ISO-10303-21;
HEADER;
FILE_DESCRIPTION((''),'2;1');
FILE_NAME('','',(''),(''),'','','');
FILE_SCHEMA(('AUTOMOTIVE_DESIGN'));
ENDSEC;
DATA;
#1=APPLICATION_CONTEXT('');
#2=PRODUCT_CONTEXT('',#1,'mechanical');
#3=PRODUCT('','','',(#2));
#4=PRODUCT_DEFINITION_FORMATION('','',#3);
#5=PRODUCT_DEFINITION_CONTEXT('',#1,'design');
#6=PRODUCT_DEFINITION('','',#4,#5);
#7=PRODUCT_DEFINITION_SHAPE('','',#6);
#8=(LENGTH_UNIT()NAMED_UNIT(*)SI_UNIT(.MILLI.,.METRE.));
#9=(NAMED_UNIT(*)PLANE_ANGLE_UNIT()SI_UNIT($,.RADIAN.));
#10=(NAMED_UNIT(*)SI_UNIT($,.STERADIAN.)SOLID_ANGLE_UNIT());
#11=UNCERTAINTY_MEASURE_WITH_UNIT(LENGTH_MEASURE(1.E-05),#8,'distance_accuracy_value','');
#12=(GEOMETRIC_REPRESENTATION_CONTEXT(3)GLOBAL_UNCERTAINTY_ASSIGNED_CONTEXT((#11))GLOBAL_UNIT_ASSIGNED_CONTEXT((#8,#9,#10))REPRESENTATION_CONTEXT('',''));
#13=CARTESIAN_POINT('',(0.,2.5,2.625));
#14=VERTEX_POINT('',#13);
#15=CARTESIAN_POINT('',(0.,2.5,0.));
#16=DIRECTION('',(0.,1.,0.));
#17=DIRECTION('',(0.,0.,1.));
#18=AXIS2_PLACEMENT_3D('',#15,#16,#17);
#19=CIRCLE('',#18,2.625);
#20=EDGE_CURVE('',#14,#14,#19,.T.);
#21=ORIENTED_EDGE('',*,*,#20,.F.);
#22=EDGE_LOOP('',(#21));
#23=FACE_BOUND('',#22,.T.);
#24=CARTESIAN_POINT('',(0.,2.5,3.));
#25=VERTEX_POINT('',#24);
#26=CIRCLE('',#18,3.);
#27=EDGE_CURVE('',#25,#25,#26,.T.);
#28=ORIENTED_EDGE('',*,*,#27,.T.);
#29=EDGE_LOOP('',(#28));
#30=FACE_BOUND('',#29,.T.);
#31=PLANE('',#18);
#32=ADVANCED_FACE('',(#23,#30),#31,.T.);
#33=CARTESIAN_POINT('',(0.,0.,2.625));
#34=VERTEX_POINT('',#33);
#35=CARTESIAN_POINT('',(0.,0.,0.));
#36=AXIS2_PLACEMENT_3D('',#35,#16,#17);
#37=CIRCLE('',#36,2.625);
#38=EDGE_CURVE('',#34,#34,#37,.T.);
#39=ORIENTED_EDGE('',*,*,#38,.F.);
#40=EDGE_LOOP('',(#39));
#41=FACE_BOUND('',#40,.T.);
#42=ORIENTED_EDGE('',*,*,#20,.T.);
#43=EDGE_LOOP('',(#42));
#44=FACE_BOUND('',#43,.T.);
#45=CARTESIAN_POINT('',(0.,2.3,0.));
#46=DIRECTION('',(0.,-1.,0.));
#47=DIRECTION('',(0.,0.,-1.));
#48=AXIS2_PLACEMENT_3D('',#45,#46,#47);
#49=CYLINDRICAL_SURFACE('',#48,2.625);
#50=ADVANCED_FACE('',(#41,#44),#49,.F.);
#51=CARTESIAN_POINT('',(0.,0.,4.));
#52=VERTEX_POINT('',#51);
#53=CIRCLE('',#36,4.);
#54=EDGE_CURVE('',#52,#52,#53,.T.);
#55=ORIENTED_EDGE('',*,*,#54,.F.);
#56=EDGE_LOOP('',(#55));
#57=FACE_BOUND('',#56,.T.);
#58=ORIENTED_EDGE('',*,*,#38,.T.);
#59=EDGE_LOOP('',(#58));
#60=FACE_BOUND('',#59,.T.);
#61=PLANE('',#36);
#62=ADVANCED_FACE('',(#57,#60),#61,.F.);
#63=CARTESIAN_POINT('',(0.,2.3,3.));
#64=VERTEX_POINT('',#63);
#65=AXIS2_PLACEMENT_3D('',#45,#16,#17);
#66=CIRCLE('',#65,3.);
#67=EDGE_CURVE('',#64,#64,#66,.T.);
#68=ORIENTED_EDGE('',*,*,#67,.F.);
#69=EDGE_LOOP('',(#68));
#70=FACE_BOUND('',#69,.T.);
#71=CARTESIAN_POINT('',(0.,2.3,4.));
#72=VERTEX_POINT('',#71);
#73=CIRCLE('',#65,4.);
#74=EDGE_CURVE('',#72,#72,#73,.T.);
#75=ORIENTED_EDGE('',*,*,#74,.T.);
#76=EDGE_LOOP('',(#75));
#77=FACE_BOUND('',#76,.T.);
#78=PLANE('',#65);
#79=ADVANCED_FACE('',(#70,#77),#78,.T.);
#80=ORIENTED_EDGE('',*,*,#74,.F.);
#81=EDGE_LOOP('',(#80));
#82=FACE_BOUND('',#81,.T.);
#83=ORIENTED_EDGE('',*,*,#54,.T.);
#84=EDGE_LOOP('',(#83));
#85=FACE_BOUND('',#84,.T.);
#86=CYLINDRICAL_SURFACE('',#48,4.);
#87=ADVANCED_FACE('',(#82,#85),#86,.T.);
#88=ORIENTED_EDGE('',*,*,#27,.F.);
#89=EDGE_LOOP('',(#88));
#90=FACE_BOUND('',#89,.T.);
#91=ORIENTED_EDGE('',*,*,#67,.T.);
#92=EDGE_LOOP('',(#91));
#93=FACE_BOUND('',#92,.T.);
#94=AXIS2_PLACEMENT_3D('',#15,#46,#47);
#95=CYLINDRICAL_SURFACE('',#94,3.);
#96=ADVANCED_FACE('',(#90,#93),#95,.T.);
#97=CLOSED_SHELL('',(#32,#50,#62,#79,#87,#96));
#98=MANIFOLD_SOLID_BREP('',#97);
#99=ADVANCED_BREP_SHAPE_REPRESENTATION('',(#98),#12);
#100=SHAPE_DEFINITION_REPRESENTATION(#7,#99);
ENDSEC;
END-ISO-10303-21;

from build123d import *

# Parameters (mm, degrees)
CROQUIS1_R              = 4
CROQUIS1_R_2            = 2.625
SALIENTE_EXTRUIR1_DEPTH = 2.3
CROQUIS2_R              = 3
CROQUIS2_R_2            = 2.625
SALIENTE_EXTRUIR2_DEPTH = 0.2


with BuildPart() as part:
    # Croquis1 → Saliente-Extruir1 (new body)
    with BuildSketch(Plane(origin=(0, 0, 0), x_dir=(1, 0, 0), z_dir=(0, 1, 0))):
        with Locations(Location((0, 0, 0), (0, 0, 270))):
            Circle(CROQUIS1_R)
        with Locations(Location((0, 0, 0), (0, 0, 270))):
            Circle(CROQUIS1_R_2, mode=Mode.SUBTRACT)
    extrude(amount=SALIENTE_EXTRUIR1_DEPTH)

    # Croquis2 → Saliente-Extruir2 (add)
    with BuildSketch(Plane(origin=(0, 2.3, 0), x_dir=(1, 0, 0), z_dir=(0, 1, 0))):
        with Locations(Location((0, 0, 0), (0, 0, 270))):
            Circle(CROQUIS2_R)
        with Locations(Location((0, 0, 0), (0, 0, 270))):
            Circle(CROQUIS2_R_2, mode=Mode.SUBTRACT)
    extrude(amount=SALIENTE_EXTRUIR2_DEPTH)


solid = part.part
